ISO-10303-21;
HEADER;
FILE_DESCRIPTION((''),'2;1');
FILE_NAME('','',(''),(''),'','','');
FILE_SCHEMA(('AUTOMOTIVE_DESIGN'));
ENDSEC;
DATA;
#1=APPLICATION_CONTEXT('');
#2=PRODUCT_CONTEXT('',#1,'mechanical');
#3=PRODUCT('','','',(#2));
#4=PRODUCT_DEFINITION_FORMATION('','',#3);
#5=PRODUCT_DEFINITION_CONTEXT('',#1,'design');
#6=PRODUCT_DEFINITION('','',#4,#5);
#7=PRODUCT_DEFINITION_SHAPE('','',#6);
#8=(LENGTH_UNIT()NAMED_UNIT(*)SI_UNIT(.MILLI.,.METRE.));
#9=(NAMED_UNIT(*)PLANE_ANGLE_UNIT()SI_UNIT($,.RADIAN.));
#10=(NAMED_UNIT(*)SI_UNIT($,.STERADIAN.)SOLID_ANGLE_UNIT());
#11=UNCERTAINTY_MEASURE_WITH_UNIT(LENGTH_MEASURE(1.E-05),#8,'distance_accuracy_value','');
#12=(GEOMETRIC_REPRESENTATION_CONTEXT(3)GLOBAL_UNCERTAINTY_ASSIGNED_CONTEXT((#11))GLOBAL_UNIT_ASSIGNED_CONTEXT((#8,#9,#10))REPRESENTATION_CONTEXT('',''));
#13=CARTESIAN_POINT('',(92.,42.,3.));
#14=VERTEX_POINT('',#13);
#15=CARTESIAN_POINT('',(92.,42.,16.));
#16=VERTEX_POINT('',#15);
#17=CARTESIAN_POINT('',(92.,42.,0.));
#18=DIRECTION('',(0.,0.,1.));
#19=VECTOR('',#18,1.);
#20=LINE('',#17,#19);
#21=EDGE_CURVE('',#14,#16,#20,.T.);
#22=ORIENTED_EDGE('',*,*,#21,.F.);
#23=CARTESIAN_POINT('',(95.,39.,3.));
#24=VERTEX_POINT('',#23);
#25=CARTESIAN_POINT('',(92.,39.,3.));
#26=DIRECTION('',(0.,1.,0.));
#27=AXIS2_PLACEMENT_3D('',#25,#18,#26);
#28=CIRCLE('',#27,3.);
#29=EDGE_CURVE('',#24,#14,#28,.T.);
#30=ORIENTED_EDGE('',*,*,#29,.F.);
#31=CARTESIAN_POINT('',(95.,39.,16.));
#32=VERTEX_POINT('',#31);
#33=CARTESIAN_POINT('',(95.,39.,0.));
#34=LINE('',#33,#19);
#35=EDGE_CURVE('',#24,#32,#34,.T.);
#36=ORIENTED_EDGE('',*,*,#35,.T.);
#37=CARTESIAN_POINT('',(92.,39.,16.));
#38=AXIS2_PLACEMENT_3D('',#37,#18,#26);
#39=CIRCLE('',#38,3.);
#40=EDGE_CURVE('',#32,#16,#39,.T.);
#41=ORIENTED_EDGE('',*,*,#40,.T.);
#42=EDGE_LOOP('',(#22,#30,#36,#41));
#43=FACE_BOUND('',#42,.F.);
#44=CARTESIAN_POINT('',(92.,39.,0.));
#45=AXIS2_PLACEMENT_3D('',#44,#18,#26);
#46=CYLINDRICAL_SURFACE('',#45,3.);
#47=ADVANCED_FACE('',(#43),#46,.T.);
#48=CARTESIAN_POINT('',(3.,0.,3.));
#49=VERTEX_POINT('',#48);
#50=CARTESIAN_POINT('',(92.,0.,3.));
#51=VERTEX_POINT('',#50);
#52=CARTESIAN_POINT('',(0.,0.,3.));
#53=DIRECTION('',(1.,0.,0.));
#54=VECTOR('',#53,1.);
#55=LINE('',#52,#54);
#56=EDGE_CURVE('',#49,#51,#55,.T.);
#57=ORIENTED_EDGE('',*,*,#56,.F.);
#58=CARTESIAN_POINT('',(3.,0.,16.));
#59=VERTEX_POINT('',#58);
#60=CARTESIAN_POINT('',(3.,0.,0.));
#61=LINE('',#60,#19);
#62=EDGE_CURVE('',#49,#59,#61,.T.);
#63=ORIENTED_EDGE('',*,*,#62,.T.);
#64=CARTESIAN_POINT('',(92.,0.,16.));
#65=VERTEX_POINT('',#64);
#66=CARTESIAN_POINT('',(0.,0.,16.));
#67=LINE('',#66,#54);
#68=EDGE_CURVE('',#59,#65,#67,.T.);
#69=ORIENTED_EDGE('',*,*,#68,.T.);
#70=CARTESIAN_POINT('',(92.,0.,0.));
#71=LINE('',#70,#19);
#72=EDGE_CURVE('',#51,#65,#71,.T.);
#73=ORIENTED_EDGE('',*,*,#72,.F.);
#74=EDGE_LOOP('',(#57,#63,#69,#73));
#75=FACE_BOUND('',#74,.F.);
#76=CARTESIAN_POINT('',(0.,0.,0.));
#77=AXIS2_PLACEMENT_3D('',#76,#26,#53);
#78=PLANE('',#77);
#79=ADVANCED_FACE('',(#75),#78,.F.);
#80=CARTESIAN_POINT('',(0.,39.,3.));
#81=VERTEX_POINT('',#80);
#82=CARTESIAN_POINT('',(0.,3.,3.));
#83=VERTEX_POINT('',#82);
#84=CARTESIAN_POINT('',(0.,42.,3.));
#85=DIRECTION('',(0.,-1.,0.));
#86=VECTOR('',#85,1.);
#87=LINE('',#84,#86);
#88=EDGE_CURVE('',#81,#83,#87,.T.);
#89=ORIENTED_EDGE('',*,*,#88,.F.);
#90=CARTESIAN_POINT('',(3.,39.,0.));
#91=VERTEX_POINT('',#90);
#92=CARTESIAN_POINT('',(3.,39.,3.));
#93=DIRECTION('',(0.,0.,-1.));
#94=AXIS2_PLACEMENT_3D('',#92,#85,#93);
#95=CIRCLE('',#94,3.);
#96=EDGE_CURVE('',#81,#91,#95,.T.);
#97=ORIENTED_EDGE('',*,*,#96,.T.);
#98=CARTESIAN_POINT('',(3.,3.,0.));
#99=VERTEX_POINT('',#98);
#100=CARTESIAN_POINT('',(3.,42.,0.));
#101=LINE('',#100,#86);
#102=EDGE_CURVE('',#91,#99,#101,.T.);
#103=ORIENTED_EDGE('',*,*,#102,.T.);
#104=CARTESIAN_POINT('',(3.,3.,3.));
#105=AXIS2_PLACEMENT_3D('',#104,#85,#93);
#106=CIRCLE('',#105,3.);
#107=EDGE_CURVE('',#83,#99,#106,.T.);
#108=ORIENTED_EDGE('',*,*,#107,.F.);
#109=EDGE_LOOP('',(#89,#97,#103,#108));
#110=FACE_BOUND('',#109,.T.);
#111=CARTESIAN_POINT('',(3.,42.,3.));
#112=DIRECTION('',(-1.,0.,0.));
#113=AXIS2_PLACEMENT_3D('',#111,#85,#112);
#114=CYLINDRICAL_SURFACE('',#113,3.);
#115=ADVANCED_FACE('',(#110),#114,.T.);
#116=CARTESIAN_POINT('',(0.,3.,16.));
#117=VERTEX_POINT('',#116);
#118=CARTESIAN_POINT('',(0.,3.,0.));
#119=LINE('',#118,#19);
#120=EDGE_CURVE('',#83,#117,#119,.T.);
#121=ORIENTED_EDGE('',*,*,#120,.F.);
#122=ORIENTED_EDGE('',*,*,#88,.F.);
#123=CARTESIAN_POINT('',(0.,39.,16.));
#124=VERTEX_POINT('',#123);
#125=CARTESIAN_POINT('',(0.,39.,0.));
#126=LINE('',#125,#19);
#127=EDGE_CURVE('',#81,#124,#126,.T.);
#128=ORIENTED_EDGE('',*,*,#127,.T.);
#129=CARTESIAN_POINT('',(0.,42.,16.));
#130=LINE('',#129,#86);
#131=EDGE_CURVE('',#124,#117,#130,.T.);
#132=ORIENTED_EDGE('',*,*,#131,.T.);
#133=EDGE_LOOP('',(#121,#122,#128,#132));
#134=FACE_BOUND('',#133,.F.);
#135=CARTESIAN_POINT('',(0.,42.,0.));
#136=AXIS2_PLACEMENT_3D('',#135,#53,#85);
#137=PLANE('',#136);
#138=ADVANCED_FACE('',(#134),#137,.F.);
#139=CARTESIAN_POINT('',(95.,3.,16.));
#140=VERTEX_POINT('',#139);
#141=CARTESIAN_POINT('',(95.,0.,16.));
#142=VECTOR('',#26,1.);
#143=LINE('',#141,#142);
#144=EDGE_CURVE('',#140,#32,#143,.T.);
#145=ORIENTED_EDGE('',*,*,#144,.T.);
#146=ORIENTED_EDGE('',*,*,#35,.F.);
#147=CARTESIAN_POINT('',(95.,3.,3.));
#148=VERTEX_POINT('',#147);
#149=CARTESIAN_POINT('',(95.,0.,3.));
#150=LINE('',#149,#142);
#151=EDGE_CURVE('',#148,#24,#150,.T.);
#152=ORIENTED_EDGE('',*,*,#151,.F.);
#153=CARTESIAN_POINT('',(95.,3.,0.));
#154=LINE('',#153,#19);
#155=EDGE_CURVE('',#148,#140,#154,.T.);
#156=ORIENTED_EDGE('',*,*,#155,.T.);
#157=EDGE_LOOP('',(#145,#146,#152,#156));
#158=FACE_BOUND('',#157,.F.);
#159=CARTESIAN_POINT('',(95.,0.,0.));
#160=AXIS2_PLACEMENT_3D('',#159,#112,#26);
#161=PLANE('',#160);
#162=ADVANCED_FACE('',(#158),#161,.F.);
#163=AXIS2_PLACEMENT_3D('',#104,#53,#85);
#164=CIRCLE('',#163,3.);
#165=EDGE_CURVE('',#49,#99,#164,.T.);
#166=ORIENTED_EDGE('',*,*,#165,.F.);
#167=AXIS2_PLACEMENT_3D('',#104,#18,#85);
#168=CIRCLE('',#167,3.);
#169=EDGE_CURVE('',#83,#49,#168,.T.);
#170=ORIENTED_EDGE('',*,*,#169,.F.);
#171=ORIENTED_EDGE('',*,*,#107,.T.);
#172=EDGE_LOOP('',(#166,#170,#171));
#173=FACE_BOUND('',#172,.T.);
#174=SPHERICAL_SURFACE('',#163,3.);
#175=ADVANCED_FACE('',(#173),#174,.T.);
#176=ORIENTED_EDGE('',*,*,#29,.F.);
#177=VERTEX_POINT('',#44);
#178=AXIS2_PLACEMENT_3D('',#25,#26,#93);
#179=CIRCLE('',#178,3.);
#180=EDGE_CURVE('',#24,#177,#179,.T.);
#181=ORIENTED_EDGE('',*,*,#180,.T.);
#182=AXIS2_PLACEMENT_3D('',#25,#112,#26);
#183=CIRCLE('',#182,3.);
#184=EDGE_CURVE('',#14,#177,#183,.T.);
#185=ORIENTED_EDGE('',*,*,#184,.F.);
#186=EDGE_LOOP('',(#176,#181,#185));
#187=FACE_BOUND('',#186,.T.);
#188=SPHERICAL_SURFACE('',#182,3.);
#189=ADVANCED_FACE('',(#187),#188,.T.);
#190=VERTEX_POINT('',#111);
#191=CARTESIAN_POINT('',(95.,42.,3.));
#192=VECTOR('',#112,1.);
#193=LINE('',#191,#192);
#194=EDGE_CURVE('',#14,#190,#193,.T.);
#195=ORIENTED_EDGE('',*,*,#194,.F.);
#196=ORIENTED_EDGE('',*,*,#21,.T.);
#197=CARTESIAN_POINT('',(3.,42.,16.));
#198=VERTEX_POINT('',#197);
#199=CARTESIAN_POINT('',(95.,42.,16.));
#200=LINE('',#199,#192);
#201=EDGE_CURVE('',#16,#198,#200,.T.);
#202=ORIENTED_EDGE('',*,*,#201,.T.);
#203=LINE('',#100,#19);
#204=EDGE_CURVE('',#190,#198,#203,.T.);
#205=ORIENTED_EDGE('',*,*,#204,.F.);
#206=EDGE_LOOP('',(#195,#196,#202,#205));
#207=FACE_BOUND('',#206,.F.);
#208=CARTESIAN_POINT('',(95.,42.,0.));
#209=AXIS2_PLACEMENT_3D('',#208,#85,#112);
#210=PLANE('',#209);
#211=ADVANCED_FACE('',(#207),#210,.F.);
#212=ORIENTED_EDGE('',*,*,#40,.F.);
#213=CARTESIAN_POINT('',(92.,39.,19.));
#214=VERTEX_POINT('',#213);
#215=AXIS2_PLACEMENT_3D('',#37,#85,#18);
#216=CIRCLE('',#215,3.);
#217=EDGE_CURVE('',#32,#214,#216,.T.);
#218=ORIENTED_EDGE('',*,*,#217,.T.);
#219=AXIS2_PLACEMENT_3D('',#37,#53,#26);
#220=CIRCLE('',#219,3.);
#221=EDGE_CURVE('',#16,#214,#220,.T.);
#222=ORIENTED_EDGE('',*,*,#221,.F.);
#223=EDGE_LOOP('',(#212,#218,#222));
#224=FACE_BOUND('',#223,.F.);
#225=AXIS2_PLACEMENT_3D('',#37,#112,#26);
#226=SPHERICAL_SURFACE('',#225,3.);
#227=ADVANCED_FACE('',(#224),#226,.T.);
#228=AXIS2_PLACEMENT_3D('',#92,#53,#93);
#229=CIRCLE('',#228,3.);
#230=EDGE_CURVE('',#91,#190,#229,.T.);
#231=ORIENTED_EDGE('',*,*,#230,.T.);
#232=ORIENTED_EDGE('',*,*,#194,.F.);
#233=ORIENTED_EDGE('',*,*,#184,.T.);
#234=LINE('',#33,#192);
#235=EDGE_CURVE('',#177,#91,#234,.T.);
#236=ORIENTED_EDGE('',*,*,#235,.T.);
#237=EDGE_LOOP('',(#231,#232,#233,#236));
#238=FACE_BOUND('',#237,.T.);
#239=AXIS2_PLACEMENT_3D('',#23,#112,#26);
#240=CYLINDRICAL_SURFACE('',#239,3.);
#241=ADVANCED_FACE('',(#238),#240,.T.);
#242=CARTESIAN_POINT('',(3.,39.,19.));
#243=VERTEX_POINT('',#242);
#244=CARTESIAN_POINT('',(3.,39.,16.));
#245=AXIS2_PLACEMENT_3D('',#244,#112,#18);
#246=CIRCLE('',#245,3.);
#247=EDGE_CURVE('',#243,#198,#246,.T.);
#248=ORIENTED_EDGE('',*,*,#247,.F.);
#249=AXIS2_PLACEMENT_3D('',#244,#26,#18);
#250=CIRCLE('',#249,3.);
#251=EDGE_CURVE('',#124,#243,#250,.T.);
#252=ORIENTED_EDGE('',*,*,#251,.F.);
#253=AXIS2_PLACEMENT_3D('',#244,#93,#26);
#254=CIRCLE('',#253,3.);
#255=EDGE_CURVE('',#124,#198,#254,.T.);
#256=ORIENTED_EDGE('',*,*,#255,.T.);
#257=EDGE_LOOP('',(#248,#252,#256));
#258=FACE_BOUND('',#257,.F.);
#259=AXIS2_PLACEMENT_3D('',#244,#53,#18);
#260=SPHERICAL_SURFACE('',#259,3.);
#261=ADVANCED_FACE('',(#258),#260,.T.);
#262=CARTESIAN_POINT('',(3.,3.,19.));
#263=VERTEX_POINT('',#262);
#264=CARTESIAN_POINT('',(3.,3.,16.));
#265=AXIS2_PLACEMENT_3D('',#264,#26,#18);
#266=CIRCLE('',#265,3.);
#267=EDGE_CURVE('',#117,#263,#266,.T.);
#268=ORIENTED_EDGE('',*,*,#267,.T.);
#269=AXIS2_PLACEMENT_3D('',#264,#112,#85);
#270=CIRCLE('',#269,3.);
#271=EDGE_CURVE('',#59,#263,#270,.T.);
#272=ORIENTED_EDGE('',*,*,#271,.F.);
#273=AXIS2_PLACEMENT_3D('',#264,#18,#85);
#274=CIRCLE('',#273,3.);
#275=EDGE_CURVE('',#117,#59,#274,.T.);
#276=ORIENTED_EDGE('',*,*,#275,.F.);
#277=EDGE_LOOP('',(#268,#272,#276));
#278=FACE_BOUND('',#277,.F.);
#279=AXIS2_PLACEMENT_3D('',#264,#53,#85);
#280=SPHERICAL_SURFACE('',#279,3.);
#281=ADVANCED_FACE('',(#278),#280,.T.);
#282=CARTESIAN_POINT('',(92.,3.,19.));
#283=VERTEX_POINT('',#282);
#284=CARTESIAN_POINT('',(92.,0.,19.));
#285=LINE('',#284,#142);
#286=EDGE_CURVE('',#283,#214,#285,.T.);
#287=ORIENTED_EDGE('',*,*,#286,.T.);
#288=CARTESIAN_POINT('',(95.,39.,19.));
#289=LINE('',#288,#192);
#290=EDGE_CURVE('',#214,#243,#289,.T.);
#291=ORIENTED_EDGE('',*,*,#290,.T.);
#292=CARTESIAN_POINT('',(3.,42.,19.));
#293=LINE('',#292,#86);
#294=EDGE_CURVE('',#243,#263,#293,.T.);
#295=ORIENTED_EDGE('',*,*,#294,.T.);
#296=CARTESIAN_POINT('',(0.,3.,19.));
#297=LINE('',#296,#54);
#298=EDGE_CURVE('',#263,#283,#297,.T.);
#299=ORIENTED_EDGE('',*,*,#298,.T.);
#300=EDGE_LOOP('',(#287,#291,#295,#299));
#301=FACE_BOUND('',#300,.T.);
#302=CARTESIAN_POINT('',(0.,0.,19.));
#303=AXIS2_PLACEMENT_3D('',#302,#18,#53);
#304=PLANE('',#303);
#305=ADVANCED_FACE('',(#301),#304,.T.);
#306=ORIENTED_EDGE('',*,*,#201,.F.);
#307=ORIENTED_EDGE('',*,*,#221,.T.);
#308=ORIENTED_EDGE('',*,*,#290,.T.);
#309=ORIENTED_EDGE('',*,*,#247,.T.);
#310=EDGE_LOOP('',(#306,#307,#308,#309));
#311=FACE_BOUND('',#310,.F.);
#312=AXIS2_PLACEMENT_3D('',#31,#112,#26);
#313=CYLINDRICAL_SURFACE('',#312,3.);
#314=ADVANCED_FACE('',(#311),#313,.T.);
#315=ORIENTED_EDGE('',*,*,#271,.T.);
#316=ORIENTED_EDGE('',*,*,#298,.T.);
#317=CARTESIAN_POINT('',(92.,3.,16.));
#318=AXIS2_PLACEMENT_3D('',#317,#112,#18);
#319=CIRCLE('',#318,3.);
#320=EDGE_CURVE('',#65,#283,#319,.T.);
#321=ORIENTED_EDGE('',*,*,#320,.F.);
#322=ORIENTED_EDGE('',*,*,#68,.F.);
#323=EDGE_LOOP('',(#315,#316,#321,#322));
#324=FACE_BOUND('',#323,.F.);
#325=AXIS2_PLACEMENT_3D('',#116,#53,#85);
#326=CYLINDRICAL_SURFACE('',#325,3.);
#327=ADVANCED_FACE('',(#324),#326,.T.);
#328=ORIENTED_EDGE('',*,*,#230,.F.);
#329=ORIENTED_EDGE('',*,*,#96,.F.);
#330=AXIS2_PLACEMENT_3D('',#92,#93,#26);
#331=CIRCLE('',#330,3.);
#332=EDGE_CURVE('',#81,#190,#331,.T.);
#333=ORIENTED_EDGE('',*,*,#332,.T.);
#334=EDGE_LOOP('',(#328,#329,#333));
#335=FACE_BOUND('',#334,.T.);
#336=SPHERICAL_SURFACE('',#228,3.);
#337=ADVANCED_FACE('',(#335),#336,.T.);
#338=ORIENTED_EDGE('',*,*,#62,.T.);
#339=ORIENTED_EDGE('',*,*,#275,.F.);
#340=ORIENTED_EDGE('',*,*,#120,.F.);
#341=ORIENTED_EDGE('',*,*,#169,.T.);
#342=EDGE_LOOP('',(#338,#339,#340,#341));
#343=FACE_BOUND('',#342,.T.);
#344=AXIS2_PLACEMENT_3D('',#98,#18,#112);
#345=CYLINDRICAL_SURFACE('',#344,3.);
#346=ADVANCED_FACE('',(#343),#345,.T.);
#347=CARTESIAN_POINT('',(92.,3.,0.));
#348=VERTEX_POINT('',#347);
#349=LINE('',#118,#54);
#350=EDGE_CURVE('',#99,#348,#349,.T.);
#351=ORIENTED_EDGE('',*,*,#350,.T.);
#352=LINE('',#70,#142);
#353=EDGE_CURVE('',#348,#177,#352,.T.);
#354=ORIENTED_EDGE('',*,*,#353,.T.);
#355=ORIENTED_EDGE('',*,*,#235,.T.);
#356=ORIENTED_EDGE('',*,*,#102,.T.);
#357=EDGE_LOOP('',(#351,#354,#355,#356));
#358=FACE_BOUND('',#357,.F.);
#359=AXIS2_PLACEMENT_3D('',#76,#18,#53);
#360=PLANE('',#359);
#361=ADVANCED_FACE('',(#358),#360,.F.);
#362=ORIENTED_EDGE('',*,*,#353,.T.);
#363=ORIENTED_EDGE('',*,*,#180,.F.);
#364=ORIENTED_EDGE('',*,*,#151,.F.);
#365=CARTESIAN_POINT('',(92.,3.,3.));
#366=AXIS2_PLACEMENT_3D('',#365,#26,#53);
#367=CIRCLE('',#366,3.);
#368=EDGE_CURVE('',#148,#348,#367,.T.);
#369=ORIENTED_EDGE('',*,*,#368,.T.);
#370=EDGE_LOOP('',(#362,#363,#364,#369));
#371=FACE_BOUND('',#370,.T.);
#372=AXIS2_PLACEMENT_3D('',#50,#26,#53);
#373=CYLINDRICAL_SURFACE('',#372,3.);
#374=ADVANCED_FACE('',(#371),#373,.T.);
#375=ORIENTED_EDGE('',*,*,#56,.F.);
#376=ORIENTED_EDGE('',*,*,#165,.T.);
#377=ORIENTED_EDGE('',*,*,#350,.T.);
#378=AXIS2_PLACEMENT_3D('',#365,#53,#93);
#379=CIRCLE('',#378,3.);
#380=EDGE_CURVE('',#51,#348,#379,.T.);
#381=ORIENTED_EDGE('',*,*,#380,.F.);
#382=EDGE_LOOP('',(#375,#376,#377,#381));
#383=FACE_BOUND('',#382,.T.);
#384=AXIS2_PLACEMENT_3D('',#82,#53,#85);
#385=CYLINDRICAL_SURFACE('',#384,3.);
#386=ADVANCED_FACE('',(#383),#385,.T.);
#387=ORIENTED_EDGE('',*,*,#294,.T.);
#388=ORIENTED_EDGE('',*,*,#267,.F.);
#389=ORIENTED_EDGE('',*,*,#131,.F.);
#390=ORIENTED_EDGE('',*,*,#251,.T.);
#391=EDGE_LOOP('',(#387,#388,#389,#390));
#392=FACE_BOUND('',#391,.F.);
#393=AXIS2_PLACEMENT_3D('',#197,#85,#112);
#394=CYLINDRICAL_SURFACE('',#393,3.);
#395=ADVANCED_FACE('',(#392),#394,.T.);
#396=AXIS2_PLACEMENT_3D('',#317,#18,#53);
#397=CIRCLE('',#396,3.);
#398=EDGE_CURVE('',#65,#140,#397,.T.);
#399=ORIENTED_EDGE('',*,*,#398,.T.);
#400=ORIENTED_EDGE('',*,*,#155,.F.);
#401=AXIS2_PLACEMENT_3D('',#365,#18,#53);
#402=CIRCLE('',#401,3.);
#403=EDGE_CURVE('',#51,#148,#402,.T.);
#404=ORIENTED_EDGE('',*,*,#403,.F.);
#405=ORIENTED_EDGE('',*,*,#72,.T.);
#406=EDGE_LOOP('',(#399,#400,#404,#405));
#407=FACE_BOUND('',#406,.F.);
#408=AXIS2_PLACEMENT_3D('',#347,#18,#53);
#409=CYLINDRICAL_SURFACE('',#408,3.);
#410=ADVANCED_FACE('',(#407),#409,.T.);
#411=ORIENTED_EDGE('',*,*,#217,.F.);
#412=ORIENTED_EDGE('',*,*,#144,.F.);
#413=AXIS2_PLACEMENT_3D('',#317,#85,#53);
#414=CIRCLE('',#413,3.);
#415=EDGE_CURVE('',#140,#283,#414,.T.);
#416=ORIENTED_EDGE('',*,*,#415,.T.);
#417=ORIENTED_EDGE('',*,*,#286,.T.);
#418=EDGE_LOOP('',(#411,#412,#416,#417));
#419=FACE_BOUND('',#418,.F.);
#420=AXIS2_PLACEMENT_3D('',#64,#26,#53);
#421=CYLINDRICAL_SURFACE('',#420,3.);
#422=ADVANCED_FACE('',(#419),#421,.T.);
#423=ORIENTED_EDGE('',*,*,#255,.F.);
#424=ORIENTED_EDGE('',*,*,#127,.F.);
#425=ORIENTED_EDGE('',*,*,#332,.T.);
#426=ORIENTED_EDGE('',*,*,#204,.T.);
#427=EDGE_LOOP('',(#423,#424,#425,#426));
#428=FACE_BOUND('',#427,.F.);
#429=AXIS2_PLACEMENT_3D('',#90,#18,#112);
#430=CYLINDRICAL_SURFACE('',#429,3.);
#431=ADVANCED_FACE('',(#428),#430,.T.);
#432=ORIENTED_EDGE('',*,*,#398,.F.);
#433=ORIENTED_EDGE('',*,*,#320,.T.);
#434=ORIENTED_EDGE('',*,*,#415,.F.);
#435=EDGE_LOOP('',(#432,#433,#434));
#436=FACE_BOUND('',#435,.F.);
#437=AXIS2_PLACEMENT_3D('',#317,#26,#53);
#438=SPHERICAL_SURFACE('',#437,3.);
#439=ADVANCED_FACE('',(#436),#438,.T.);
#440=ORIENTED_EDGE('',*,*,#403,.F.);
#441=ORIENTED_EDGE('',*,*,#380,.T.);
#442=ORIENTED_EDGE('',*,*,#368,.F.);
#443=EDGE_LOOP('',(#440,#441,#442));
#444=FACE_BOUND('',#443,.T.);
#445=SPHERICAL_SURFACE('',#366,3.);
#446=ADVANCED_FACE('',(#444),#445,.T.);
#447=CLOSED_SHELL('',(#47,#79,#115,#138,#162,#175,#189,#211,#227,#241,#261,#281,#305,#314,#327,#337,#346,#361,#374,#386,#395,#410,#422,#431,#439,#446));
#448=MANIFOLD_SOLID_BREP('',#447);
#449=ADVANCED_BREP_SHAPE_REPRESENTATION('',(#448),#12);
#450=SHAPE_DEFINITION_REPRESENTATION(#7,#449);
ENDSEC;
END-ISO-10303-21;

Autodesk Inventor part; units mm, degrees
ref_plane "YZ Plane" through (0, 0, 0) normal (1, 0, 0) x (0, 1, 0)
ref_plane "XZ Plane" through (0, 0, 0) normal (0, 1, 0) x (-1, 0, 0)
ref_plane "XY Plane" through (0, 0, 0) normal (0, 0, 1) x (1, 0, 0)
sketch "Sketch1" plane through (0, 0, 0) normal (0, 0, 1) x (1, 0, 0)
  line L0 (0, 0) -> (95, 0)
  line L1 (95, 0) -> (95, 42)
  line L2 (95, 42) -> (0, 42)
  line L3 (0, 42) -> (0, 0)
  dimension "d0" = 95
  dimension "d1" = 42
extrude "Extrusion1" add sketch "Sketch1" along normal blind 19
fillet "Fillet1" radius 3 12 edges at (47.5, 42, 19) (47.5, 42, 0) (95, 42, 9.5) (95, 21, 19) (95, 21, 0) (95, 0, 9.5) (47.5, 0, 0) (47.5, 0, 19) (0, 0, 9.5) (0, 21, 19) (0, 21, 0) (0, 42, 9.5)
properties part number "BateriesFinal"
